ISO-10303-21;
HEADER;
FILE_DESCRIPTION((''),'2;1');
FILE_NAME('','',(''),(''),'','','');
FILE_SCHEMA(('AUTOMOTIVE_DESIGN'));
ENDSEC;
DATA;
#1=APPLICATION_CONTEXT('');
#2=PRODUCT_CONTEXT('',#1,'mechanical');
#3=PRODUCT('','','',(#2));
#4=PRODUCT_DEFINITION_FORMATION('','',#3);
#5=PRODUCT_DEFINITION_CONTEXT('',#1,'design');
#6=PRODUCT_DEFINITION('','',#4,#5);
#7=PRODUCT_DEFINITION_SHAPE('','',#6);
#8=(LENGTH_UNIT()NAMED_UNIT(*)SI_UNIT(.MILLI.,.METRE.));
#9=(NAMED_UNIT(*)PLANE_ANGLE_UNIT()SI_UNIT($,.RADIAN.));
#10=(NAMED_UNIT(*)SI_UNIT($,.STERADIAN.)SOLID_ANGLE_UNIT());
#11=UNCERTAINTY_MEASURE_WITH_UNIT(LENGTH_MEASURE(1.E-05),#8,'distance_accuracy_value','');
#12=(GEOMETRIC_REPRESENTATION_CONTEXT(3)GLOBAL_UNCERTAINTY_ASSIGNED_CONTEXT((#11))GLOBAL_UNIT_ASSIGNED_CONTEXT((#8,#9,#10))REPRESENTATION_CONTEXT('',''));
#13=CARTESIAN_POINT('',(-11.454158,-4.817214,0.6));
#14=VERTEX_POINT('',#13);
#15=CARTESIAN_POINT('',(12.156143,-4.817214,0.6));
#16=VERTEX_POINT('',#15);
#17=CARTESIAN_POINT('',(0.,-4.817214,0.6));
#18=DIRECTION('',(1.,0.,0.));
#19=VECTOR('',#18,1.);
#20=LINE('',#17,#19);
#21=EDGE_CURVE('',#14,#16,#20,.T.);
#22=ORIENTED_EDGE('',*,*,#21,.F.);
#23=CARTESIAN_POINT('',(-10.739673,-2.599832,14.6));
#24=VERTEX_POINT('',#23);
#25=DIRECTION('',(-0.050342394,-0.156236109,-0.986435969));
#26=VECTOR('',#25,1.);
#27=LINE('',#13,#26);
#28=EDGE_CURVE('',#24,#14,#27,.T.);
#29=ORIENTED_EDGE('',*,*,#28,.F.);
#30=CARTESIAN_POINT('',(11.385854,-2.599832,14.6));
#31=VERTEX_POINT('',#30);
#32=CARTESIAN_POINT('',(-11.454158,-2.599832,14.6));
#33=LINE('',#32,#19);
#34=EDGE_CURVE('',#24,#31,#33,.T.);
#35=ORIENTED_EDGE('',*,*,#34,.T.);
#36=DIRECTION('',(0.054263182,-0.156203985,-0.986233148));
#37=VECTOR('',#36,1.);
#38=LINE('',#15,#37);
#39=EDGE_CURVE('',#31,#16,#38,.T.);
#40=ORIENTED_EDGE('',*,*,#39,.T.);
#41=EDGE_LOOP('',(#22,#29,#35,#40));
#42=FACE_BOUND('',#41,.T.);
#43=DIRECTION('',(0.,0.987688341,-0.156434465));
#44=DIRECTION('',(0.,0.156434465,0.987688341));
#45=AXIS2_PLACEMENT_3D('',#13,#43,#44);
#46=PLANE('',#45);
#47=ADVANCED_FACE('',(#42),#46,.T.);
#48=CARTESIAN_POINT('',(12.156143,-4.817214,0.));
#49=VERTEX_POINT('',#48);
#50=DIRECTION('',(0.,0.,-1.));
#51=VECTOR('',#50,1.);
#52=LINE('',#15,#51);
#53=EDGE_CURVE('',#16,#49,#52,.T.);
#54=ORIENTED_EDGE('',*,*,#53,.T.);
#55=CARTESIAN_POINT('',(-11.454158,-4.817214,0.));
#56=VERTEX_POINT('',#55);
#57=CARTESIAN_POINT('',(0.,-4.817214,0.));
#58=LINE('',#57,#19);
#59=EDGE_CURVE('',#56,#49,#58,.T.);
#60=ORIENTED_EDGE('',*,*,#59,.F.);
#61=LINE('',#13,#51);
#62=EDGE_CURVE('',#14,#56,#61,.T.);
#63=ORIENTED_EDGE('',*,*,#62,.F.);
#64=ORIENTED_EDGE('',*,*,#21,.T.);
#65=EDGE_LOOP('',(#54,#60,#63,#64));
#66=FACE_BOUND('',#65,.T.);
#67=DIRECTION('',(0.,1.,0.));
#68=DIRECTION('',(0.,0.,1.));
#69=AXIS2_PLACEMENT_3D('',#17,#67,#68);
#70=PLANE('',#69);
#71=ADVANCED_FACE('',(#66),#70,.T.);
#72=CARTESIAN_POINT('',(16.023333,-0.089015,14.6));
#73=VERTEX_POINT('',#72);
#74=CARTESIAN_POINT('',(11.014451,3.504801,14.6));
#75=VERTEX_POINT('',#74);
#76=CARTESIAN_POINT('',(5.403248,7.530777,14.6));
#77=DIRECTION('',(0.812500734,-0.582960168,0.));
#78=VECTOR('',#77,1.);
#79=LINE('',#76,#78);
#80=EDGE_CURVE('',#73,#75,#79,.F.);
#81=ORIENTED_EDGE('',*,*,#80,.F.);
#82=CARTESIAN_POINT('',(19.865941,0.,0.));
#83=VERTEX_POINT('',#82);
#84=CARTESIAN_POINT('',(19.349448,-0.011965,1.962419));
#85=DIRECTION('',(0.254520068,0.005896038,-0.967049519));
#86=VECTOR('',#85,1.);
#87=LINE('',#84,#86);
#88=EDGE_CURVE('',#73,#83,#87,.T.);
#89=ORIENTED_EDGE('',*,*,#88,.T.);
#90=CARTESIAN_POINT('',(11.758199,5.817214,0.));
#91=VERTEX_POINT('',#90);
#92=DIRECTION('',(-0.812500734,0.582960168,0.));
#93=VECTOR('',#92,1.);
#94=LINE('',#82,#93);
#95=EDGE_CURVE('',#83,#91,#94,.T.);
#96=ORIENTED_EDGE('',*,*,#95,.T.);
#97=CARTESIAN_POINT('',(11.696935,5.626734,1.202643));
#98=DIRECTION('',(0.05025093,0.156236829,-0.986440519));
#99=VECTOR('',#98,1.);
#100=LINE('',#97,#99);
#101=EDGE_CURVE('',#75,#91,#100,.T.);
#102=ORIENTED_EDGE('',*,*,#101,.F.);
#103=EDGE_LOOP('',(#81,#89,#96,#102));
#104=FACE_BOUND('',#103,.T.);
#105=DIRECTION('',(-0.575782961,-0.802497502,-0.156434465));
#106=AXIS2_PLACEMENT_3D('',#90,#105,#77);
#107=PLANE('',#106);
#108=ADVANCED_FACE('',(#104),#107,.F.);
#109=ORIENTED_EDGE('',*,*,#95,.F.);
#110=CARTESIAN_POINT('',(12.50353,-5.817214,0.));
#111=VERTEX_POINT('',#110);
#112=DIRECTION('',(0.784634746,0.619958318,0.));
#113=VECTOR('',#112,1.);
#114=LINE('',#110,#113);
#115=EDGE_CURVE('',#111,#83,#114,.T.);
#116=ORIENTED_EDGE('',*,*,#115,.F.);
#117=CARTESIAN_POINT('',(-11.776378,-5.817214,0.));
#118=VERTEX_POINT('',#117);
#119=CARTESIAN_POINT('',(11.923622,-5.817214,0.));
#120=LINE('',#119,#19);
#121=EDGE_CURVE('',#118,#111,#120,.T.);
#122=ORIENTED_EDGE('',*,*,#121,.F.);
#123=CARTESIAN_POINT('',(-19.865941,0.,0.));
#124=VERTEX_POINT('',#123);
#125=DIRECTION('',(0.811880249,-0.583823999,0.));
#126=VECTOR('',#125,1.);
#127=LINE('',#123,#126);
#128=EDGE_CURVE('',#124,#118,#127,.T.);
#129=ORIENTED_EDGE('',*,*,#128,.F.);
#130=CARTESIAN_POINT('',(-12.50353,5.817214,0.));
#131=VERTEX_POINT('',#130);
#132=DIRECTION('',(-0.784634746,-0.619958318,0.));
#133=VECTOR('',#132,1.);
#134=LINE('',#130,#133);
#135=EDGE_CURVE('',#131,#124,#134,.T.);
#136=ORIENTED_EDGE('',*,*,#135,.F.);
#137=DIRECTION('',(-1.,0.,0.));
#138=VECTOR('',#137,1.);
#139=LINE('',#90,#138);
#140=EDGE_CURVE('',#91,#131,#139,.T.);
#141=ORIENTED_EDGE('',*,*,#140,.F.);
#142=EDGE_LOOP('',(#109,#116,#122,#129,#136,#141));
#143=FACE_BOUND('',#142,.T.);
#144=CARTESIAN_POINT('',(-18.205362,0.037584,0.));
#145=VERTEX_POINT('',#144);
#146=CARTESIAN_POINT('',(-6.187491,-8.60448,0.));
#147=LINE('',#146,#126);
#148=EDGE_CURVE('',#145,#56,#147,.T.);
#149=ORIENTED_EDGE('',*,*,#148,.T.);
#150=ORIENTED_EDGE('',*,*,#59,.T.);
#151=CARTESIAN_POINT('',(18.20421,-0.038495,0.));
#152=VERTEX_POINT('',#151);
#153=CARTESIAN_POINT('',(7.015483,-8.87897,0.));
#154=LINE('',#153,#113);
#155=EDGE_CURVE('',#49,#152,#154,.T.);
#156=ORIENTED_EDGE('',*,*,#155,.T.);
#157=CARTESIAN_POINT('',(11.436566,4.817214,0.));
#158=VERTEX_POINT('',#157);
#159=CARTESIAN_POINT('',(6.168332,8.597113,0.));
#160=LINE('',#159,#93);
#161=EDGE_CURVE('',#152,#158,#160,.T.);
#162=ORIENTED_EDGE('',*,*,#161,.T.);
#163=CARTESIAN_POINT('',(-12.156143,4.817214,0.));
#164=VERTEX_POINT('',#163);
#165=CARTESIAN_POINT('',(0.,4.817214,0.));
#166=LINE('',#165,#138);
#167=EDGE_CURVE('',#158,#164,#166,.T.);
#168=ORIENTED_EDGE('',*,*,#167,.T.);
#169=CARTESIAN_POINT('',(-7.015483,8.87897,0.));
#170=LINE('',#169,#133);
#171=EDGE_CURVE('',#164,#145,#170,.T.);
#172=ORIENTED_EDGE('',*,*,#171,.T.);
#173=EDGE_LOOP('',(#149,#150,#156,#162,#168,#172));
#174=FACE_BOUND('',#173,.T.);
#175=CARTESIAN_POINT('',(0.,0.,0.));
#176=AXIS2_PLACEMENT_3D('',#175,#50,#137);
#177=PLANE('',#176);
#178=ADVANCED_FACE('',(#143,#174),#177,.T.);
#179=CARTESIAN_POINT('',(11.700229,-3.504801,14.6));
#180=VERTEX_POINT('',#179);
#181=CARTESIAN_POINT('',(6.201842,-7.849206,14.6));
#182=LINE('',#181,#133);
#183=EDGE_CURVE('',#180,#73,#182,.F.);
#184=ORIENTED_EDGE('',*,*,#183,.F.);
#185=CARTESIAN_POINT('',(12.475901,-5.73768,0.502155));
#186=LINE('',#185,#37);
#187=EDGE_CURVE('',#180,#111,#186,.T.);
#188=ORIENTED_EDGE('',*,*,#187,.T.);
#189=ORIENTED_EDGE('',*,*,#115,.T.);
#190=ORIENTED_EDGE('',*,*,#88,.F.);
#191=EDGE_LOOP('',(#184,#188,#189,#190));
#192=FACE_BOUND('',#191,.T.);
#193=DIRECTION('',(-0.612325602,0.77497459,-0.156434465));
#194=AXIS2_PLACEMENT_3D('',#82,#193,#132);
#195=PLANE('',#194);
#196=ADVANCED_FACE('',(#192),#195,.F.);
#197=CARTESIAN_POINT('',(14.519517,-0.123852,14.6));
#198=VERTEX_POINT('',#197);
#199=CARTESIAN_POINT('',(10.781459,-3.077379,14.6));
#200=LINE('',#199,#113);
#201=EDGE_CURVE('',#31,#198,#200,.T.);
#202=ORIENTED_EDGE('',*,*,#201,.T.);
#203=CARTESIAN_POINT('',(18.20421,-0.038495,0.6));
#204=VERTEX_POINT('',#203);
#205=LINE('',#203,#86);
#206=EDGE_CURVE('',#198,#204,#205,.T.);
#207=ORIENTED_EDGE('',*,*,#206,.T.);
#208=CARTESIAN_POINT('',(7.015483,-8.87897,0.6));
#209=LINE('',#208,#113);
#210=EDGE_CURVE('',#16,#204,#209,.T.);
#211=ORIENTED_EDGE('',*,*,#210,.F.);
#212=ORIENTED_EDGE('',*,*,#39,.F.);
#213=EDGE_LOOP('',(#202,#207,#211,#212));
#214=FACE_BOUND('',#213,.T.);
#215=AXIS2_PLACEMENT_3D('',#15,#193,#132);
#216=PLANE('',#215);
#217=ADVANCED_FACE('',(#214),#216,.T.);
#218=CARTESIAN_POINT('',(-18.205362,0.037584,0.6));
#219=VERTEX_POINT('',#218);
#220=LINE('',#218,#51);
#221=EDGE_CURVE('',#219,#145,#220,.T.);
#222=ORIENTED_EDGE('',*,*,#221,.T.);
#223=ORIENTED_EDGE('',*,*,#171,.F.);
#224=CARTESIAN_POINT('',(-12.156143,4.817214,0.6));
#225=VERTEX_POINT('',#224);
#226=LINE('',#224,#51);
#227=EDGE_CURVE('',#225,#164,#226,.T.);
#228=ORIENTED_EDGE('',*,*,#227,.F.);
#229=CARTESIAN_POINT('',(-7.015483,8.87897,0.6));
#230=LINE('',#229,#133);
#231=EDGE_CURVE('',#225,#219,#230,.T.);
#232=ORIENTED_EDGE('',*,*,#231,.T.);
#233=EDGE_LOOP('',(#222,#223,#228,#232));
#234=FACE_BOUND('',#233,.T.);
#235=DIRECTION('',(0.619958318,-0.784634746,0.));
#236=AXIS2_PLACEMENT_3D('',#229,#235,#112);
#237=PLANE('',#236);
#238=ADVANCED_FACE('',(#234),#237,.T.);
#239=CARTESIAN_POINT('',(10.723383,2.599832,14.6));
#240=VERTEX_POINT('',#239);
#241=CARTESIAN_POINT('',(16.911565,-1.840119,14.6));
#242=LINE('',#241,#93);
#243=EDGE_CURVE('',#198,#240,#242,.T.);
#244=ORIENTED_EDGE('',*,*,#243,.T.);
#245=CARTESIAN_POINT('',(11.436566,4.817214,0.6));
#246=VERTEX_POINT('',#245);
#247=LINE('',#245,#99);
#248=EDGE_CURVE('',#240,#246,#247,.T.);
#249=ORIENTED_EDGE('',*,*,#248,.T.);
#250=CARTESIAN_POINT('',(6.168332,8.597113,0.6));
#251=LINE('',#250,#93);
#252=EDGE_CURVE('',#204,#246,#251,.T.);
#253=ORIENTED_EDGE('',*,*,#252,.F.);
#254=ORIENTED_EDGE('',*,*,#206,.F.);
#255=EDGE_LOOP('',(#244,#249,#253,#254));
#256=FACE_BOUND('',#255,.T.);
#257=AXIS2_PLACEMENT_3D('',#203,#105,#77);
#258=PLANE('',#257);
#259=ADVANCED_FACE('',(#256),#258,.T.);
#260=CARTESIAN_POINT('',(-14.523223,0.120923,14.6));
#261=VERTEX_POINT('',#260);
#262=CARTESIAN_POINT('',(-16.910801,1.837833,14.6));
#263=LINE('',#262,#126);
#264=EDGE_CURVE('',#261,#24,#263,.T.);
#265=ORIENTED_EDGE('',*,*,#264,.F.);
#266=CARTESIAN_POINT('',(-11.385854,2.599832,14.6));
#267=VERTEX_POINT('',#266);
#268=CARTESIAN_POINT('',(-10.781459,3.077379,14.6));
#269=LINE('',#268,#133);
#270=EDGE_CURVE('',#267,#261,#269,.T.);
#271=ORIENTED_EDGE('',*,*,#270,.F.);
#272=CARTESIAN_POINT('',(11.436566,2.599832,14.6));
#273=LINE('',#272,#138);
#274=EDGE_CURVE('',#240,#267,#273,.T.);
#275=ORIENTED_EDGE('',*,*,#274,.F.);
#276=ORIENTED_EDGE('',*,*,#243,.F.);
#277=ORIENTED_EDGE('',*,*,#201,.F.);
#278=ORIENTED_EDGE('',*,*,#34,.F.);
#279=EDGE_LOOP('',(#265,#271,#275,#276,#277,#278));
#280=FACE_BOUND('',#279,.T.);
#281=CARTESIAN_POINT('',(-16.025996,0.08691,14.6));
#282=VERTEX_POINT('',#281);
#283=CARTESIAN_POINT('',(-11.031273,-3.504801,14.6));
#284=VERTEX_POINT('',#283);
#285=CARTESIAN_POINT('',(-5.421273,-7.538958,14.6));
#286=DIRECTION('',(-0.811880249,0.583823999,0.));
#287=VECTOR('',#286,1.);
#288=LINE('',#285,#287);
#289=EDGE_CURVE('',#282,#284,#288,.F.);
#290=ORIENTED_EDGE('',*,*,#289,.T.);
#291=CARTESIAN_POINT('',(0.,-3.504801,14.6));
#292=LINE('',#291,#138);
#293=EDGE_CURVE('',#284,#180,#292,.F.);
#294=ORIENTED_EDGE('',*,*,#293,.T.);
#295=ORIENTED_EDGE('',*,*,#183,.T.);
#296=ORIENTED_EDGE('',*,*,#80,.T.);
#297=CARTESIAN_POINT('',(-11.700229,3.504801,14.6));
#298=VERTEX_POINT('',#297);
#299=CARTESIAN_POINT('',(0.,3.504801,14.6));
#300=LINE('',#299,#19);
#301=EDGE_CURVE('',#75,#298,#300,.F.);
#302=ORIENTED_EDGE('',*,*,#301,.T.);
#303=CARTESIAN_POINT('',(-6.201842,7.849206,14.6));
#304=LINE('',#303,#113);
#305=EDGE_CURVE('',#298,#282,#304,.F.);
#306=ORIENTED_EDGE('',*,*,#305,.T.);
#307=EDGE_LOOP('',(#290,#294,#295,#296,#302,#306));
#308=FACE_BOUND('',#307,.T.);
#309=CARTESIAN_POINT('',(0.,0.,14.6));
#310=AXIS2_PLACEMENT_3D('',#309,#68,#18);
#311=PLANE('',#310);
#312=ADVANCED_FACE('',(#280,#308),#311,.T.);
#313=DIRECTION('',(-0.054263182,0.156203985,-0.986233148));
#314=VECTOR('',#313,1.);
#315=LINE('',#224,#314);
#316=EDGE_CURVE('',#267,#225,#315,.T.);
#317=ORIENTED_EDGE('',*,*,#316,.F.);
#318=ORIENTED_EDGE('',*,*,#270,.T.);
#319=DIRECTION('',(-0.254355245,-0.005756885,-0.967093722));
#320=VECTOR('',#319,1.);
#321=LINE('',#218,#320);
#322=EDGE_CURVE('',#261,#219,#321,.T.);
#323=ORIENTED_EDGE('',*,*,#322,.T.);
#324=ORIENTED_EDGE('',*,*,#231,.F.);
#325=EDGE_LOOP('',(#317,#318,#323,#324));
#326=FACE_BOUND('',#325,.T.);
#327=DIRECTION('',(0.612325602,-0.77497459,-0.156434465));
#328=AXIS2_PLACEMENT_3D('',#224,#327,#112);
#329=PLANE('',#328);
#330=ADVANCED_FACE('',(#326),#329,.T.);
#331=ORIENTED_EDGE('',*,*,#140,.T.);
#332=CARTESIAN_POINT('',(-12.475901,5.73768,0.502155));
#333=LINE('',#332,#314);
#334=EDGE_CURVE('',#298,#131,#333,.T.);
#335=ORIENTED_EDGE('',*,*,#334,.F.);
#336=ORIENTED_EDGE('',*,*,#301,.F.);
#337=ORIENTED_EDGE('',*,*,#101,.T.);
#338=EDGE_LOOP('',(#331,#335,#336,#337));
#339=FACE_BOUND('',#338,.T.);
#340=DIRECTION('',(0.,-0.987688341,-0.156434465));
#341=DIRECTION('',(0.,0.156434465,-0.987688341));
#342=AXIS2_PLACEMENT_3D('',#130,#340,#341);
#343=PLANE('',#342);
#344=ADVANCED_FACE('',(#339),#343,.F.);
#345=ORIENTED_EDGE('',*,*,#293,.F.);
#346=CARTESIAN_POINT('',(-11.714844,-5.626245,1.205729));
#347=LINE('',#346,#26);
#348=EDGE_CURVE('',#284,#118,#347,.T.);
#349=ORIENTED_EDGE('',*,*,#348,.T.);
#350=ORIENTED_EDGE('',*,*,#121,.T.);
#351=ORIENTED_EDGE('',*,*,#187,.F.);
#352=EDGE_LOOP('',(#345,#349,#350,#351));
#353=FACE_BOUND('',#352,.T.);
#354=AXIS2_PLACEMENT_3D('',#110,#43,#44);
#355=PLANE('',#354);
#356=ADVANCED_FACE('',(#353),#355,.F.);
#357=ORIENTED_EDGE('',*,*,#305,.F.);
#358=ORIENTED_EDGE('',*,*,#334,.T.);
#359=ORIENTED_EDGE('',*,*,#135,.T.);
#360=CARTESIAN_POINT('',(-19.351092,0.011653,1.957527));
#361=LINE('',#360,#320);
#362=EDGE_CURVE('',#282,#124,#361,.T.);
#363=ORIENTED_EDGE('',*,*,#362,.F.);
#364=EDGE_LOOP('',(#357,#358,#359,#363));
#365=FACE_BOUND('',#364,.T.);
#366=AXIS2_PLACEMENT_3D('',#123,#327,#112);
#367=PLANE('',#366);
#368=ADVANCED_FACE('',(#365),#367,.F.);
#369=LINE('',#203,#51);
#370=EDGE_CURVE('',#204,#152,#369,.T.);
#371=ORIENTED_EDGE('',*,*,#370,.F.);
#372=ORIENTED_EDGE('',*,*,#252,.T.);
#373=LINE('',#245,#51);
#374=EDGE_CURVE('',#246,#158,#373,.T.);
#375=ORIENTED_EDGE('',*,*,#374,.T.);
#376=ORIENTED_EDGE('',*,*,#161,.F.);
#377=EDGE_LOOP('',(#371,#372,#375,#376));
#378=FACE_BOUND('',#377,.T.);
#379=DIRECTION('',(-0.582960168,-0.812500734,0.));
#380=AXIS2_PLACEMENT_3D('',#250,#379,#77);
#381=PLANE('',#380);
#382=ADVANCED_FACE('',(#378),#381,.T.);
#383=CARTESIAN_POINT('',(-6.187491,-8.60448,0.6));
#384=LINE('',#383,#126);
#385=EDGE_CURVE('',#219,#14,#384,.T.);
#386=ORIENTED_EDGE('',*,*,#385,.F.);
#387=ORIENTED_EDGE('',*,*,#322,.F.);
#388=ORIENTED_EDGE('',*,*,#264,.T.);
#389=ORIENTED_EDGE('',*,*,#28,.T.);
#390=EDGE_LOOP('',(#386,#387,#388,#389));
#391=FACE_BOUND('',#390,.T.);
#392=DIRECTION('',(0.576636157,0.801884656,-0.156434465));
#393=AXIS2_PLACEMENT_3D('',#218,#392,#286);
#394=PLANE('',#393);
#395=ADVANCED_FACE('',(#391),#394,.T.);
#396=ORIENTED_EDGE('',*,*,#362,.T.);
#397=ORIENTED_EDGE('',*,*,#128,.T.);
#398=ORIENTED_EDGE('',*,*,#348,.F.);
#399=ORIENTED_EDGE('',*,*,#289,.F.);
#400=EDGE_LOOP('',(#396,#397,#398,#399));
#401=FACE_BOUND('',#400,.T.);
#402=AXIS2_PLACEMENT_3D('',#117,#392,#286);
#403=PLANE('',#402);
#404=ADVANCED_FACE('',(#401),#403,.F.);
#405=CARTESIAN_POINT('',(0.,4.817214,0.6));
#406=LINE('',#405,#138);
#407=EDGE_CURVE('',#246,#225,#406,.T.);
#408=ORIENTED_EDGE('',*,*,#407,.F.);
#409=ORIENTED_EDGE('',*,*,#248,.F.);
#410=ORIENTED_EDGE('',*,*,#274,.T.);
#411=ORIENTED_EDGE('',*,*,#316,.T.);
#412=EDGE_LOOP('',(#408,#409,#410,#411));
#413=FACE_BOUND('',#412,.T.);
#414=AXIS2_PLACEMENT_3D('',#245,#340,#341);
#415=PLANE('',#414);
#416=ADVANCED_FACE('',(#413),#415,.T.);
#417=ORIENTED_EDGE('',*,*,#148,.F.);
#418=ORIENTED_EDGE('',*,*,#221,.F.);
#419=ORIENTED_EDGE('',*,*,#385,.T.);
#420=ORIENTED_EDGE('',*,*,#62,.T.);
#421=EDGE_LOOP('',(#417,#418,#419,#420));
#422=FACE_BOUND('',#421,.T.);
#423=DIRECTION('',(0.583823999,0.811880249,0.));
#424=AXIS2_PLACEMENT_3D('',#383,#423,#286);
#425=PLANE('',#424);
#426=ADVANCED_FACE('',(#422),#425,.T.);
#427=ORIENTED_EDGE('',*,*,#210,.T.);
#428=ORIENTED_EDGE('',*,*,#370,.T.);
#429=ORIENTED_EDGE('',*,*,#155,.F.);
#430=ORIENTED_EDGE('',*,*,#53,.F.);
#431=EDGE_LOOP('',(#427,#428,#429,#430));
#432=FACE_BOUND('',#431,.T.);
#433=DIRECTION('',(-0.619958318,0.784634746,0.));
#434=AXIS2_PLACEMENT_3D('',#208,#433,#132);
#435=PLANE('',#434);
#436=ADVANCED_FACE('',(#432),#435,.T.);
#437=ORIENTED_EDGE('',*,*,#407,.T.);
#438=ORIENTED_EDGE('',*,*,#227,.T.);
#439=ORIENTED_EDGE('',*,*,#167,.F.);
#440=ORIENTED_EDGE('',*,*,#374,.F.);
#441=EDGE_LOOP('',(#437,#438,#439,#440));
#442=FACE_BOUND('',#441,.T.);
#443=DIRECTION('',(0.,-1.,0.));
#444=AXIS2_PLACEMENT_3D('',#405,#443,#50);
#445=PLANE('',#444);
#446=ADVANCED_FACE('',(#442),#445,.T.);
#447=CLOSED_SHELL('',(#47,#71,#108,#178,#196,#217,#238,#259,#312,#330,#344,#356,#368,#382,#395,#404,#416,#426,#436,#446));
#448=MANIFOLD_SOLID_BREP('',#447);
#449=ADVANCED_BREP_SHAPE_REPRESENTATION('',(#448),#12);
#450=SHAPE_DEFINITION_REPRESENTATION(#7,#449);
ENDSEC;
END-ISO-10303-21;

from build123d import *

# Parameters (mm, degrees)
LINEAR_AUSTRAGEN_D_NN1_DEPTH         = 0.6
LINEAR_AUSTRAGEN_D_NN2_DEPTH         = 14
LINEAR_AUSTRAGEN_D_NN2_DRAFT         = -9
SCHNITT_LINEAR_AUSTRAGEN_D_NN1_DEPTH = 16
SCHNITT_LINEAR_AUSTRAGEN_D_NN1_DRAFT = 9


with BuildPart() as part:
    # Skizze1 → Linear-Austragen-Dünn1 (new body)
    with BuildSketch(Plane.XY):
        Polygon((19.865941325, 0), (11.758199437, 5.817213911), (-12.503529969, 5.817213911), (-19.865941325, 0), (-11.77637823, -5.817213911), (-11.17637823, -5.817213911), (-3.47637823, -5.817213911), (4.22362177, -5.817213911), (11.92362177, -5.817213911), (12.503529969, -5.817213911), align=None)
        Polygon((18.204210014, -0.038494533), (11.436566371, 4.817213911), (-12.156143301, 4.817213911), (-18.205362025, 0.037584302), (-11.45415826, -4.817213911), (-11.17637823, -4.817213911), (-3.47637823, -4.817213911), (4.22362177, -4.817213911), (11.92362177, -4.817213911), (12.156143301, -4.817213911), align=None, mode=Mode.SUBTRACT)
    extrude(amount=LINEAR_AUSTRAGEN_D_NN1_DEPTH)


with BuildPart() as linear_austragen_d_nn2_tool:
    # Skizze2 → Linear-Austragen-Dünn2 (with draft: the straight prism first)
    with BuildSketch(Plane.XY.offset(0.6)):
        Polygon((-12.503529969, 5.817213911), (-19.865941325, 0), (-11.77637823, -5.817213911), (12.503529969, -5.817213911), (19.865941325, 0), (11.758199437, 5.817213911), align=None)
        Polygon((-12.156143301, 4.817213911), (-18.205362025, 0.037584302), (-11.45415826, -4.817213911), (12.156143301, -4.817213911), (18.204210014, -0.038494533), (11.436566371, 4.817213911), align=None, mode=Mode.SUBTRACT)
    extrude(amount=LINEAR_AUSTRAGEN_D_NN2_DEPTH)
    # Linear-Austragen-Dünn2: the draft: its side faces are tilted about the plane it starts from
    linear_austragen_d_nn2_sides = [linear_austragen_d_nn2_tool.faces().sort_by_distance(p)[0] for p in [
        (-16.184735647, 2.908606956, 7.6),
        (-15.821159778, -2.908606956, 7.6),
        (0.363575869, -5.817213911, 7.6),
        (16.184735647, -2.908606956, 7.6),
        (15.812070381, 2.908606956, 7.6),
        (-0.372665266, 5.817213911, 7.6),
        (-0.359788465, 4.817213911, 7.6),
        (14.820388192, 2.389359689, 7.6),
        (15.180176658, -2.427854222, 7.6),
        (0.35099252, -4.817213911, 7.6),
        (-14.829760143, -2.389814805, 7.6),
        (-15.180752663, 2.427399106, 7.6),
    ]]
    draft(linear_austragen_d_nn2_sides, Plane.XY.offset(0.6), LINEAR_AUSTRAGEN_D_NN2_DRAFT)


with BuildPart() as part_1:
    add(part.part)

    # Linear-Austragen-Dünn2: add linear_austragen_d_nn2_tool
    add(linear_austragen_d_nn2_tool.part)


with BuildPart() as schnitt_linear_austragen_d_nn1_tool:
    # Skizze3 → Schnitt-Linear-Austragen-Dünn1 (with draft: the straight prism first)
    with BuildSketch(Plane(origin=(0, 0, 0), x_dir=(-1, 0, 0), z_dir=(0, 0, -1))):
        Polygon((-20.862980112, 0.02309672), (-12.71196197, -6.417213911), (11.969710212, -6.417213911), (20.862288905, -0.022550581), (12.71196197, 6.417213911), (-11.951179276, 6.417213911), align=None)
        Polygon((-19.865941325, 0), (-12.503529969, -5.817213911), (11.77637823, -5.817213911), (19.865941325, 0), (12.503529969, 5.817213911), (-11.758199437, 5.817213911), align=None, mode=Mode.SUBTRACT)
    extrude(amount=-SCHNITT_LINEAR_AUSTRAGEN_D_NN1_DEPTH)
    # Schnitt-Linear-Austragen-Dünn1: the draft: its side faces are tilted about the plane it starts from
    schnitt_linear_austragen_d_nn1_sides = [schnitt_linear_austragen_d_nn1_tool.faces().sort_by_distance(p)[0] for p in [
        (16.787471041, -3.197058596, 8),
        (0.371125879, -6.417213911, 8),
        (-16.415999558, -3.219882246, 8),
        (-16.787125437, 3.197331665, 8),
        (-0.380391347, 6.417213911, 8),
        (16.407079694, 3.220155315, 8),
        (15.812070381, 2.908606956, 8),
        (-0.372665266, 5.817213911, 8),
        (-16.184735647, 2.908606956, 8),
        (-15.821159778, -2.908606956, 8),
        (0.363575869, -5.817213911, 8),
        (16.184735647, -2.908606956, 8),
    ]]
    draft(schnitt_linear_austragen_d_nn1_sides, Plane(origin=(0, 0, 0), x_dir=(-1, 0, 0), z_dir=(0, 0, -1)), SCHNITT_LINEAR_AUSTRAGEN_D_NN1_DRAFT)


with BuildPart() as part_2:
    add(part_1.part)

    # Schnitt-Linear-Austragen-Dünn1: cut by schnitt_linear_austragen_d_nn1_tool
    add(schnitt_linear_austragen_d_nn1_tool.part, mode=Mode.SUBTRACT)


solid = part_2.part
